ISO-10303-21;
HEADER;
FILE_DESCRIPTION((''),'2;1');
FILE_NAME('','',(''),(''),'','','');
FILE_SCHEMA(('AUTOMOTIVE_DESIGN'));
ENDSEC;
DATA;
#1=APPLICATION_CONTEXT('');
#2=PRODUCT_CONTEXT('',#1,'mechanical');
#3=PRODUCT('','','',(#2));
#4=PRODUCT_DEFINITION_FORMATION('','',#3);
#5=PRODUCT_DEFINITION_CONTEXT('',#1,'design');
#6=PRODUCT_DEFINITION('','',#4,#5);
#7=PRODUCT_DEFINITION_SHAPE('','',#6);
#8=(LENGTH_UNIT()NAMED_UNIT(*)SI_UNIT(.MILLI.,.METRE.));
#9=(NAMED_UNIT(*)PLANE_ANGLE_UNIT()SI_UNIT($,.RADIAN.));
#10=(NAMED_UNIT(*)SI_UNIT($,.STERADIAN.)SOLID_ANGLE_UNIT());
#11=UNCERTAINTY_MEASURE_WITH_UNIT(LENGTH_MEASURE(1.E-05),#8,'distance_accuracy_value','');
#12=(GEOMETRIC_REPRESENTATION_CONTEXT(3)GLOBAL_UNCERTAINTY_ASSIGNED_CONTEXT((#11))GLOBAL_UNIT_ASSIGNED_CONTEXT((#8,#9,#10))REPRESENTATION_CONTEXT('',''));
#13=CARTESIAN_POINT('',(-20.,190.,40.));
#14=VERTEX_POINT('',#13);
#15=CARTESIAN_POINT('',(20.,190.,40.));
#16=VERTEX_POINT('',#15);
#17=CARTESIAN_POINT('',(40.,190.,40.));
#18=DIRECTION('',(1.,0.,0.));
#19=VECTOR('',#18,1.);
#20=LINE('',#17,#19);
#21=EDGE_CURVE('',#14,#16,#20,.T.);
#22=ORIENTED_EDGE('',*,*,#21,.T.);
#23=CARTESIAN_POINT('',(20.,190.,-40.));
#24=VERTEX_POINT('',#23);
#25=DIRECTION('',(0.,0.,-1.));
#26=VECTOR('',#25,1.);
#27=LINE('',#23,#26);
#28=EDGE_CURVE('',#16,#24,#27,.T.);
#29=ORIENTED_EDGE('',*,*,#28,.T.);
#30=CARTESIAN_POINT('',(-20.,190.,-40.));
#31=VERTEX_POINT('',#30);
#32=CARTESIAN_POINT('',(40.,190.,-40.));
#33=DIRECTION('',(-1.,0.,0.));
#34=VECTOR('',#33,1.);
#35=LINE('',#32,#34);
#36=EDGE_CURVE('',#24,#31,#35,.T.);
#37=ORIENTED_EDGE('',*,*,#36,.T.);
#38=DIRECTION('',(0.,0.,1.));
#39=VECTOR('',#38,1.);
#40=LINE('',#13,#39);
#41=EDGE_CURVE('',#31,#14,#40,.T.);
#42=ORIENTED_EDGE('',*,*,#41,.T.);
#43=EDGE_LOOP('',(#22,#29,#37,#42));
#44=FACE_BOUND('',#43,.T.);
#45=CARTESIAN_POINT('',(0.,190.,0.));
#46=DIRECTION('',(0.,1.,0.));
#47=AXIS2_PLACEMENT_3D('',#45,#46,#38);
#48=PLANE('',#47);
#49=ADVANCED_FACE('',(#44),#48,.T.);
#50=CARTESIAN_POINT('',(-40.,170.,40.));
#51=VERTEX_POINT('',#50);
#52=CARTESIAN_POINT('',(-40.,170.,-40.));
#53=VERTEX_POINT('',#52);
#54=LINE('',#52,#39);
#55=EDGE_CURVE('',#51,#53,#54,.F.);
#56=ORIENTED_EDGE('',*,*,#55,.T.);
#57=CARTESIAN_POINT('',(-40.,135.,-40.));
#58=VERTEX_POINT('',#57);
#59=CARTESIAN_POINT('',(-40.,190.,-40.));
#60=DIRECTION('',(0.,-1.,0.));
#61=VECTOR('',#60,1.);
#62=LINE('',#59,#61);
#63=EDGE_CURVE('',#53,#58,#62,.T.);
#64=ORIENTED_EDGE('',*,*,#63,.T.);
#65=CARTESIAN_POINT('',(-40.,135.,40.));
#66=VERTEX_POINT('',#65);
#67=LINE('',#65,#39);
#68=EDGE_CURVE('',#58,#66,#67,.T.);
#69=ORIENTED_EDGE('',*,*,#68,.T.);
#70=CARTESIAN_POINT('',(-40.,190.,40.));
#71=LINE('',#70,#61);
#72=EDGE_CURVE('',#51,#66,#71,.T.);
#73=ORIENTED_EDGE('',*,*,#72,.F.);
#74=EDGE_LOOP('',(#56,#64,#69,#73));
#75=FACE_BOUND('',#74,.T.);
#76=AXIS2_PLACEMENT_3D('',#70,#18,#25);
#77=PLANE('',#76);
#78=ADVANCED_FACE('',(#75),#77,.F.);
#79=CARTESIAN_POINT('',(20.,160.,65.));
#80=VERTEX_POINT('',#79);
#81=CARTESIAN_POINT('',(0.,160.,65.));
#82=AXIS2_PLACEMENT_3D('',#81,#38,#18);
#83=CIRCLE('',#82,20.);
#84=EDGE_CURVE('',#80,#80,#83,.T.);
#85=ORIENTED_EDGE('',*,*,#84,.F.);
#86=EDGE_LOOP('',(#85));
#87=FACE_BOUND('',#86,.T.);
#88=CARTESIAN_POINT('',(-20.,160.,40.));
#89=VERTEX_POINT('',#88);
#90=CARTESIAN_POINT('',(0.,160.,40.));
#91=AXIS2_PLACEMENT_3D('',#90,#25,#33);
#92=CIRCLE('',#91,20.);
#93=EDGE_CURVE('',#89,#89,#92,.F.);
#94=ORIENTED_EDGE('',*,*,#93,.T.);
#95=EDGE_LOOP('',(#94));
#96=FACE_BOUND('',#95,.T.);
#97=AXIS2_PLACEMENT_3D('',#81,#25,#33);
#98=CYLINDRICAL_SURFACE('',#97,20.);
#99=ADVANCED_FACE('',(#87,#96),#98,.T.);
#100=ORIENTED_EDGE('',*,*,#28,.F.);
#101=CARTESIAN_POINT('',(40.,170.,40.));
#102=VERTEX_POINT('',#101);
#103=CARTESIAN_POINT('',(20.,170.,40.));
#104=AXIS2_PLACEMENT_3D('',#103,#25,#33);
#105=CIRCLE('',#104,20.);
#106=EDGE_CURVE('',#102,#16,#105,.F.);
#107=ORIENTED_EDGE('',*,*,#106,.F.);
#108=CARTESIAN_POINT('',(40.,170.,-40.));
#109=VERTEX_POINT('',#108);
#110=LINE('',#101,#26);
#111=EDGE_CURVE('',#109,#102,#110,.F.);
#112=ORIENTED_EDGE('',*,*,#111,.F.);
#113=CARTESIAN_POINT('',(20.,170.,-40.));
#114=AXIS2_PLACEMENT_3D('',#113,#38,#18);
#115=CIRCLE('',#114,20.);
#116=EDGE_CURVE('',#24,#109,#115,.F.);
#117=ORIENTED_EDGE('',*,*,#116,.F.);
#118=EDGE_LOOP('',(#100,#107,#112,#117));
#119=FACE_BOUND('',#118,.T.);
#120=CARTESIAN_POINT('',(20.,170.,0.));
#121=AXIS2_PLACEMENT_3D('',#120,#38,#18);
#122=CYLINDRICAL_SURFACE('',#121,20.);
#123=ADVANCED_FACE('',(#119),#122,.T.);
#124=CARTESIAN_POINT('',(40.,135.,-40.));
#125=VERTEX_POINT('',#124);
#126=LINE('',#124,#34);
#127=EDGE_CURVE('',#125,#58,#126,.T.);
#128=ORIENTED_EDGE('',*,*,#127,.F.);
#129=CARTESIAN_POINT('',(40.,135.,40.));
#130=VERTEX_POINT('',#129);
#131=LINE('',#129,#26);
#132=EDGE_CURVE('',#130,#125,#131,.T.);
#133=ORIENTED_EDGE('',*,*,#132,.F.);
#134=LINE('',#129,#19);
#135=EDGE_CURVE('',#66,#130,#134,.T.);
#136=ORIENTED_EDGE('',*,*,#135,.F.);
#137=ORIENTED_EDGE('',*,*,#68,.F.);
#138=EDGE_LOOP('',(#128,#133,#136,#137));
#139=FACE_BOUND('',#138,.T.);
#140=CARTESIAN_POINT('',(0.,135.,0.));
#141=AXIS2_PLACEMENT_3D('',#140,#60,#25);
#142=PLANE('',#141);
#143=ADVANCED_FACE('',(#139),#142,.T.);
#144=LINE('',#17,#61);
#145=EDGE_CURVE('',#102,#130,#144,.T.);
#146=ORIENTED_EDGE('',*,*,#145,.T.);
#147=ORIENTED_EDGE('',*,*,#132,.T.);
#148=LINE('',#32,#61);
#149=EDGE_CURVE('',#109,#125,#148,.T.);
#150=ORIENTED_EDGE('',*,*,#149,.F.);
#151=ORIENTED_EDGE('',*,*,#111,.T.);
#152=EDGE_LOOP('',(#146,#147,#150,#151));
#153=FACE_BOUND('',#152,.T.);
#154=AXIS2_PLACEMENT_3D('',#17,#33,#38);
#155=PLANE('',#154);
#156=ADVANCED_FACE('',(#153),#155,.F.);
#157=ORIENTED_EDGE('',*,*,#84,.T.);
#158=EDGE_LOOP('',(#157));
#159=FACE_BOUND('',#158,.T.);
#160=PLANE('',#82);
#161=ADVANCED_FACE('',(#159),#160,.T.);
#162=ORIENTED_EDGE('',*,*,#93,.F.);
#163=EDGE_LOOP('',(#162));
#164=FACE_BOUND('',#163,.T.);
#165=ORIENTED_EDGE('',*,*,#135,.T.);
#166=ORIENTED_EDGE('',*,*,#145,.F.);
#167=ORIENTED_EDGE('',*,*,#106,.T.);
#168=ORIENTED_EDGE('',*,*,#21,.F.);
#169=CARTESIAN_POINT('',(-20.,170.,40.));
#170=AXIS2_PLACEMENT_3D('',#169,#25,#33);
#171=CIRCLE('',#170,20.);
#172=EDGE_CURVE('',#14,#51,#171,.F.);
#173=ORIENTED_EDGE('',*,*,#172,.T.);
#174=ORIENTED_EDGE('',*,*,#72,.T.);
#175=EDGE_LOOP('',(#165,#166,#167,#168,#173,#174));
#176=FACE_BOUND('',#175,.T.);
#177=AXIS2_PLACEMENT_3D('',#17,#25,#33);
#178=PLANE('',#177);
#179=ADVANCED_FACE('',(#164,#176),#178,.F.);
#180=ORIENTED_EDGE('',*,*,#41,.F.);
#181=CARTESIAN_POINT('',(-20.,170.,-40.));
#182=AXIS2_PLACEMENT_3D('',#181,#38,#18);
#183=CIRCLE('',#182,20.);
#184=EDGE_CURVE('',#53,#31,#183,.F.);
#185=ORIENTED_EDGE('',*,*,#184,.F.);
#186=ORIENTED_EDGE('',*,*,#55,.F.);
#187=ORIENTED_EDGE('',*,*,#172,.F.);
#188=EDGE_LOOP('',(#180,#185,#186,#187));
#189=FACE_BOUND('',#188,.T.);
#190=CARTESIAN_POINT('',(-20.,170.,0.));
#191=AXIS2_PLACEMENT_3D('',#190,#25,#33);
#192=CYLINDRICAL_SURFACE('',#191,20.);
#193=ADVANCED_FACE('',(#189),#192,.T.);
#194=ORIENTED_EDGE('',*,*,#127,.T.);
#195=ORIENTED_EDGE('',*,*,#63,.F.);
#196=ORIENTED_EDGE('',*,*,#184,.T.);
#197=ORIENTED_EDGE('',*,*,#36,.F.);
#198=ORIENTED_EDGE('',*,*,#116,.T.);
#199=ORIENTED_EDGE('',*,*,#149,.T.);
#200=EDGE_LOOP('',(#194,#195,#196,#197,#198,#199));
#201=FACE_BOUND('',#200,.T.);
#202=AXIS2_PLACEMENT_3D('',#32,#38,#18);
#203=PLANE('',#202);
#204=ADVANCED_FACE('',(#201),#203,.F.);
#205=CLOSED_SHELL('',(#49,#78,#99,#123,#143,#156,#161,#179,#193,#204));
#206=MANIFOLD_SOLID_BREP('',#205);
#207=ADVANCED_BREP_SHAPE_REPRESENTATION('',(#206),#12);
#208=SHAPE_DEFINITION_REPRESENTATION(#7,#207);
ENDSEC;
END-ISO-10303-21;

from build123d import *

# Parameters (mm, degrees)
ESBO_O1_W                = 80
ESBO_O1_H                = 80
RESSALTO_EXTRUS_O1_DEPTH = 190
FILETE2_R                = 20
ESBO_O2_R                = 20
RESSALTO_EXTRUS_O2_DEPTH = 25
ESBO_O3_W                = 70
ESBO_O3_H                = 70
CORTE_EXTRUS_O1_DEPTH    = 135
ESBO_O4_R                = 15
CORTE_EXTRUS_O2_DEPTH    = 5


with BuildPart() as part:
    # Esboço1 → Ressalto-extrusão1 (new body)
    with BuildSketch(Plane(origin=(0, 0, 0), x_dir=(1, 0, 0), z_dir=(0, 1, 0))):
        Rectangle(ESBO_O1_W, ESBO_O1_H)
    extrude(amount=RESSALTO_EXTRUS_O1_DEPTH)

    # Filete2
    filete2_edges = [part.edges().sort_by_distance(p)[0] for p in [
        (40, 190, 0),
        (-40, 190, 0),
    ]]
    fillet(filete2_edges, radius=FILETE2_R)

    # Esboço2 → Ressalto-extrusão2 (add)
    with BuildSketch(Plane.XY.offset(40)):
        with Locations(Location((0, 160, 0), (0, 0, 180))):
            Circle(ESBO_O2_R)
    extrude(amount=RESSALTO_EXTRUS_O2_DEPTH)

    # Esboço3 → Corte-extrusão1 (cut)
    with BuildSketch(Plane(origin=(0, 0, 0), x_dir=(-1, 0, 0), z_dir=(0, -1, 0))):
        Rectangle(ESBO_O3_W, ESBO_O3_H)
    extrude(amount=-CORTE_EXTRUS_O1_DEPTH, mode=Mode.SUBTRACT)

    # Esboço4 → Corte-extrusão2 (cut)
    with BuildSketch(Plane.XY.offset(40)):
        with Locations((0, 90)):
            Circle(ESBO_O4_R)
    extrude(amount=-CORTE_EXTRUS_O2_DEPTH, mode=Mode.SUBTRACT)

    # Corte de superfície1
    split(bisect_by=Plane(origin=(0, 135, 0), x_dir=(1, 0, 0), z_dir=(0, 1, 0)), keep=Keep.TOP)


solid = part.part
